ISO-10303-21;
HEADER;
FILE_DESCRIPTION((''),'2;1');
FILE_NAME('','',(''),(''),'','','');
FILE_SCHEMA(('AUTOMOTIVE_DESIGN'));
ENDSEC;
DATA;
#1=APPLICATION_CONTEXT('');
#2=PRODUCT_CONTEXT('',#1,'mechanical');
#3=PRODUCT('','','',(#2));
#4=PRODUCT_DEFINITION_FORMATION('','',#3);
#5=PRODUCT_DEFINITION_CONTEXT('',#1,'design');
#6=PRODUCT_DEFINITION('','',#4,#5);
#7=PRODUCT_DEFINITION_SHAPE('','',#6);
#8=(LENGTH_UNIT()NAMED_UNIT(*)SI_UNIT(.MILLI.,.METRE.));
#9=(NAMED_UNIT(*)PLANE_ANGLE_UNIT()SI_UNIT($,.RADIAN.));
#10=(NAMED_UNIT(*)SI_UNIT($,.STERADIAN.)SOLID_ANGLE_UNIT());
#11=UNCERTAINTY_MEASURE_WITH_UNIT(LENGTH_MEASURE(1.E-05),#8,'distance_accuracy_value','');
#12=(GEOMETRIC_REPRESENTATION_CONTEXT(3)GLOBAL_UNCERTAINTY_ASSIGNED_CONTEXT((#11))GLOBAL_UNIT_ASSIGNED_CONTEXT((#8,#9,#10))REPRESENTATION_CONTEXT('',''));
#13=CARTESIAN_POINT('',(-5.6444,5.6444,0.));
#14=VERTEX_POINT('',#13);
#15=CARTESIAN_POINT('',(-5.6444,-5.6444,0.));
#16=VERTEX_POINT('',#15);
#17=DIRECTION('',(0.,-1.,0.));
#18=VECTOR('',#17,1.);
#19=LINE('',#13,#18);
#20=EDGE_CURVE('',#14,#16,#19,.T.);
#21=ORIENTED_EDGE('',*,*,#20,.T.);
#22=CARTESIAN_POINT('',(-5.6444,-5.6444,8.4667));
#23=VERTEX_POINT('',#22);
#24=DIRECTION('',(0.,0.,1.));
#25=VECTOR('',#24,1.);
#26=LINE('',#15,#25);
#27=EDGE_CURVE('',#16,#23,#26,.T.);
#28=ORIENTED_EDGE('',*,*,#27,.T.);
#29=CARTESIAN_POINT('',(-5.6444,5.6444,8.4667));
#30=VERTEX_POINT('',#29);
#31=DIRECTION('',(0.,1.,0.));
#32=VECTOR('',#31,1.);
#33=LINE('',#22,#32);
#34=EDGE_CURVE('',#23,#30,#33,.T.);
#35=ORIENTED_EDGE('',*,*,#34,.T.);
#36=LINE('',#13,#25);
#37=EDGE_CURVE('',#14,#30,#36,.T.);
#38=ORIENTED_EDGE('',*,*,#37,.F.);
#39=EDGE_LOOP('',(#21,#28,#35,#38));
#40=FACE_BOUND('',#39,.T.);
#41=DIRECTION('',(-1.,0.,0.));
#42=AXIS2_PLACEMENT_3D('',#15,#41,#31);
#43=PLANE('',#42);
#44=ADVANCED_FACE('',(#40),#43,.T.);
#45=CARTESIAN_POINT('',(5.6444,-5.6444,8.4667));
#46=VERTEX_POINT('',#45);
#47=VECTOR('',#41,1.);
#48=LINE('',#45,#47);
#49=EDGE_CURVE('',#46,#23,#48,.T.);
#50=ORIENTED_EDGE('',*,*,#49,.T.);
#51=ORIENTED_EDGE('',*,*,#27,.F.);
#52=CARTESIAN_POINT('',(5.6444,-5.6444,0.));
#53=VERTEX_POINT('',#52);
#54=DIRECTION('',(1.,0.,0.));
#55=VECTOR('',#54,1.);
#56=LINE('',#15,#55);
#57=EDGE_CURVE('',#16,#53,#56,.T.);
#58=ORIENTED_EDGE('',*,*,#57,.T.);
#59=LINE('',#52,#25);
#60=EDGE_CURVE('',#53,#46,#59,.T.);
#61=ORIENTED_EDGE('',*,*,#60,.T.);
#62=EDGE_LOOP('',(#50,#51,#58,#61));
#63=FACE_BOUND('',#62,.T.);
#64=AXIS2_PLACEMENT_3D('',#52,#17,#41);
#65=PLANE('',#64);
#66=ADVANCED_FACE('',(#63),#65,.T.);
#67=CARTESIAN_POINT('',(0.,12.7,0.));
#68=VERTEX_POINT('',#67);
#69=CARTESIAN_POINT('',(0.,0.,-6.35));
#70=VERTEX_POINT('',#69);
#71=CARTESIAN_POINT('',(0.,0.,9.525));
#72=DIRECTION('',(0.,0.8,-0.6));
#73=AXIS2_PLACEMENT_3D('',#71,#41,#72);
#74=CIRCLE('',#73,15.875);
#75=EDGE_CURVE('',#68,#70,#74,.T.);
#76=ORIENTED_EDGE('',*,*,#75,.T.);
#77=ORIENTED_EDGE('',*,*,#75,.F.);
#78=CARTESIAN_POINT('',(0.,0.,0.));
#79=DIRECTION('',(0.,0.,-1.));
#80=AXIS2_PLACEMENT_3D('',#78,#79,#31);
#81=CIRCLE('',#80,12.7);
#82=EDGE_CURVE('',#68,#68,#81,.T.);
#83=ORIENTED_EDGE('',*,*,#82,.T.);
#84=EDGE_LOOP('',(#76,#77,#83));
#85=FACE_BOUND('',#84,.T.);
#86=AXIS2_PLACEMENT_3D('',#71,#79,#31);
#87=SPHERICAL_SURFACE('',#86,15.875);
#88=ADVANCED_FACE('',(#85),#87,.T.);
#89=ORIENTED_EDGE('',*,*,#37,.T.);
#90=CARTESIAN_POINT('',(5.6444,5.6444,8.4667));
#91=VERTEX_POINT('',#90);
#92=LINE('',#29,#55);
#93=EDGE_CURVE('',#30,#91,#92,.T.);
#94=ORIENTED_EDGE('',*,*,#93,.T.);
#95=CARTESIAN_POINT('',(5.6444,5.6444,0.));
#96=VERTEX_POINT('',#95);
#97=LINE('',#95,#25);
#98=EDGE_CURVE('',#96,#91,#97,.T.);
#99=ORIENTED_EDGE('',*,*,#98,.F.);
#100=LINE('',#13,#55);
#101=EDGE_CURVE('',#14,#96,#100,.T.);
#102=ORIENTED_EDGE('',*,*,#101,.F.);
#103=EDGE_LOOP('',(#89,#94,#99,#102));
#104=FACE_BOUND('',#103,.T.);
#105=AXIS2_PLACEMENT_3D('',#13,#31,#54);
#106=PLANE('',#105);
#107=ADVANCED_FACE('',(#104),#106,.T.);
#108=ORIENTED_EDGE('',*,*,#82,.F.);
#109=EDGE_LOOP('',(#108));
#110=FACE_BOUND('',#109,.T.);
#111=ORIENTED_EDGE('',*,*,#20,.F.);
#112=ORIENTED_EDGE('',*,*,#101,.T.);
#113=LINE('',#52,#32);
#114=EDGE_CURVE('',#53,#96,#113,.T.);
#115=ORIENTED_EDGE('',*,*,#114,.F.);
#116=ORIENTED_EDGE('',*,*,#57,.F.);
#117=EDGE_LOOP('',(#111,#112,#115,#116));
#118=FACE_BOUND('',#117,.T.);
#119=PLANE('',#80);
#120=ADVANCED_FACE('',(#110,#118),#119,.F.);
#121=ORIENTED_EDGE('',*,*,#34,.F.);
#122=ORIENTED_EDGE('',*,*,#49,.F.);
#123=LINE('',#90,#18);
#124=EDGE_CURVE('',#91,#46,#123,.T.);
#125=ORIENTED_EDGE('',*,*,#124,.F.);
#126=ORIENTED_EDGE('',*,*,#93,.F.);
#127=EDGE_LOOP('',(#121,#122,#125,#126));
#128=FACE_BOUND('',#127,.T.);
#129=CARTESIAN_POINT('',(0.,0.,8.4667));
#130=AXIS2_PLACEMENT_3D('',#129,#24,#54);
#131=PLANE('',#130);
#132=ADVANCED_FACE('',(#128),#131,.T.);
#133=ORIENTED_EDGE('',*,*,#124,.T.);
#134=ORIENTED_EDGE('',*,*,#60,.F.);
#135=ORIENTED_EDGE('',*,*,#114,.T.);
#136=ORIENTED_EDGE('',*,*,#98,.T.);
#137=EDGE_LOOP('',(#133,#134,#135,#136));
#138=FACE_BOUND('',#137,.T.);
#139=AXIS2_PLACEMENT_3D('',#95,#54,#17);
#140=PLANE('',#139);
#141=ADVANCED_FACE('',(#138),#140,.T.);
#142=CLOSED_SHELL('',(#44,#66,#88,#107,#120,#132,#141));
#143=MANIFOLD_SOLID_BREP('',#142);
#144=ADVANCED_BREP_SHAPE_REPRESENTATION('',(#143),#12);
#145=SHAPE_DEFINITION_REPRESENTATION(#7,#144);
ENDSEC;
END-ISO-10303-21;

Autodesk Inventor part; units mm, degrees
ref_plane "YZ Plane" through (0, 0, 0) normal (1, 0, 0) x (0, 1, 0)
ref_plane "XZ Plane" through (0, 0, 0) normal (0, 1, 0) x (-1, 0, 0)
ref_plane "XY Plane" through (0, 0, 0) normal (0, 0, 1) x (1, 0, 0)
sketch "Sketch1" plane through (0, 0, 0) normal (0, 0, 1) x (1, 0, 0)
  line L0 (5.6444, -5.6444) -> (-5.6444, -5.6444)
  line L1 (-5.6444, -5.6444) -> (-5.6444, 5.6444)
  line L2 (-5.6444, 5.6444) -> (5.6444, 5.6444)
  line L3 (5.6444, 5.6444) -> (5.6444, -5.6444)
  point P0 (0, 0)
  point P1 (0, 0)
  dimension "d0" = 11.2889
extrude "Extrusion1" add sketch "Sketch1" along normal blind 8.4667
ref_plane "Work Plane1" through (0, 5.6444, 8.4667) normal (-1, 0, 0) x (0, -1, 0)
sketch "Sketch2" plane through (0, 5.6444, 8.4667) normal (-1, 0, 0) x (0, -1, 0)
  line L0 (5.6444, -8.4667) -> (-7.0556, -8.4667)
  line L1 (0, -8.4667) -> (11.2889, -8.4667) projected
  line L2 (5.6444, -8.4667) -> (5.6444, -14.8167)
  arc A0 (-7.0556, -8.4667) -> (5.6444, -14.8167) centre (5.6444, 1.0583) ccw
  dimension "d3" = 12.7
  dimension "d4" = 6.35
revolve "Revolution1" add sketch "Sketch2" angle 360 about axis through (0, 0, 0) along (0, 0, -1)
properties part number "Driver Shaft Cap"
